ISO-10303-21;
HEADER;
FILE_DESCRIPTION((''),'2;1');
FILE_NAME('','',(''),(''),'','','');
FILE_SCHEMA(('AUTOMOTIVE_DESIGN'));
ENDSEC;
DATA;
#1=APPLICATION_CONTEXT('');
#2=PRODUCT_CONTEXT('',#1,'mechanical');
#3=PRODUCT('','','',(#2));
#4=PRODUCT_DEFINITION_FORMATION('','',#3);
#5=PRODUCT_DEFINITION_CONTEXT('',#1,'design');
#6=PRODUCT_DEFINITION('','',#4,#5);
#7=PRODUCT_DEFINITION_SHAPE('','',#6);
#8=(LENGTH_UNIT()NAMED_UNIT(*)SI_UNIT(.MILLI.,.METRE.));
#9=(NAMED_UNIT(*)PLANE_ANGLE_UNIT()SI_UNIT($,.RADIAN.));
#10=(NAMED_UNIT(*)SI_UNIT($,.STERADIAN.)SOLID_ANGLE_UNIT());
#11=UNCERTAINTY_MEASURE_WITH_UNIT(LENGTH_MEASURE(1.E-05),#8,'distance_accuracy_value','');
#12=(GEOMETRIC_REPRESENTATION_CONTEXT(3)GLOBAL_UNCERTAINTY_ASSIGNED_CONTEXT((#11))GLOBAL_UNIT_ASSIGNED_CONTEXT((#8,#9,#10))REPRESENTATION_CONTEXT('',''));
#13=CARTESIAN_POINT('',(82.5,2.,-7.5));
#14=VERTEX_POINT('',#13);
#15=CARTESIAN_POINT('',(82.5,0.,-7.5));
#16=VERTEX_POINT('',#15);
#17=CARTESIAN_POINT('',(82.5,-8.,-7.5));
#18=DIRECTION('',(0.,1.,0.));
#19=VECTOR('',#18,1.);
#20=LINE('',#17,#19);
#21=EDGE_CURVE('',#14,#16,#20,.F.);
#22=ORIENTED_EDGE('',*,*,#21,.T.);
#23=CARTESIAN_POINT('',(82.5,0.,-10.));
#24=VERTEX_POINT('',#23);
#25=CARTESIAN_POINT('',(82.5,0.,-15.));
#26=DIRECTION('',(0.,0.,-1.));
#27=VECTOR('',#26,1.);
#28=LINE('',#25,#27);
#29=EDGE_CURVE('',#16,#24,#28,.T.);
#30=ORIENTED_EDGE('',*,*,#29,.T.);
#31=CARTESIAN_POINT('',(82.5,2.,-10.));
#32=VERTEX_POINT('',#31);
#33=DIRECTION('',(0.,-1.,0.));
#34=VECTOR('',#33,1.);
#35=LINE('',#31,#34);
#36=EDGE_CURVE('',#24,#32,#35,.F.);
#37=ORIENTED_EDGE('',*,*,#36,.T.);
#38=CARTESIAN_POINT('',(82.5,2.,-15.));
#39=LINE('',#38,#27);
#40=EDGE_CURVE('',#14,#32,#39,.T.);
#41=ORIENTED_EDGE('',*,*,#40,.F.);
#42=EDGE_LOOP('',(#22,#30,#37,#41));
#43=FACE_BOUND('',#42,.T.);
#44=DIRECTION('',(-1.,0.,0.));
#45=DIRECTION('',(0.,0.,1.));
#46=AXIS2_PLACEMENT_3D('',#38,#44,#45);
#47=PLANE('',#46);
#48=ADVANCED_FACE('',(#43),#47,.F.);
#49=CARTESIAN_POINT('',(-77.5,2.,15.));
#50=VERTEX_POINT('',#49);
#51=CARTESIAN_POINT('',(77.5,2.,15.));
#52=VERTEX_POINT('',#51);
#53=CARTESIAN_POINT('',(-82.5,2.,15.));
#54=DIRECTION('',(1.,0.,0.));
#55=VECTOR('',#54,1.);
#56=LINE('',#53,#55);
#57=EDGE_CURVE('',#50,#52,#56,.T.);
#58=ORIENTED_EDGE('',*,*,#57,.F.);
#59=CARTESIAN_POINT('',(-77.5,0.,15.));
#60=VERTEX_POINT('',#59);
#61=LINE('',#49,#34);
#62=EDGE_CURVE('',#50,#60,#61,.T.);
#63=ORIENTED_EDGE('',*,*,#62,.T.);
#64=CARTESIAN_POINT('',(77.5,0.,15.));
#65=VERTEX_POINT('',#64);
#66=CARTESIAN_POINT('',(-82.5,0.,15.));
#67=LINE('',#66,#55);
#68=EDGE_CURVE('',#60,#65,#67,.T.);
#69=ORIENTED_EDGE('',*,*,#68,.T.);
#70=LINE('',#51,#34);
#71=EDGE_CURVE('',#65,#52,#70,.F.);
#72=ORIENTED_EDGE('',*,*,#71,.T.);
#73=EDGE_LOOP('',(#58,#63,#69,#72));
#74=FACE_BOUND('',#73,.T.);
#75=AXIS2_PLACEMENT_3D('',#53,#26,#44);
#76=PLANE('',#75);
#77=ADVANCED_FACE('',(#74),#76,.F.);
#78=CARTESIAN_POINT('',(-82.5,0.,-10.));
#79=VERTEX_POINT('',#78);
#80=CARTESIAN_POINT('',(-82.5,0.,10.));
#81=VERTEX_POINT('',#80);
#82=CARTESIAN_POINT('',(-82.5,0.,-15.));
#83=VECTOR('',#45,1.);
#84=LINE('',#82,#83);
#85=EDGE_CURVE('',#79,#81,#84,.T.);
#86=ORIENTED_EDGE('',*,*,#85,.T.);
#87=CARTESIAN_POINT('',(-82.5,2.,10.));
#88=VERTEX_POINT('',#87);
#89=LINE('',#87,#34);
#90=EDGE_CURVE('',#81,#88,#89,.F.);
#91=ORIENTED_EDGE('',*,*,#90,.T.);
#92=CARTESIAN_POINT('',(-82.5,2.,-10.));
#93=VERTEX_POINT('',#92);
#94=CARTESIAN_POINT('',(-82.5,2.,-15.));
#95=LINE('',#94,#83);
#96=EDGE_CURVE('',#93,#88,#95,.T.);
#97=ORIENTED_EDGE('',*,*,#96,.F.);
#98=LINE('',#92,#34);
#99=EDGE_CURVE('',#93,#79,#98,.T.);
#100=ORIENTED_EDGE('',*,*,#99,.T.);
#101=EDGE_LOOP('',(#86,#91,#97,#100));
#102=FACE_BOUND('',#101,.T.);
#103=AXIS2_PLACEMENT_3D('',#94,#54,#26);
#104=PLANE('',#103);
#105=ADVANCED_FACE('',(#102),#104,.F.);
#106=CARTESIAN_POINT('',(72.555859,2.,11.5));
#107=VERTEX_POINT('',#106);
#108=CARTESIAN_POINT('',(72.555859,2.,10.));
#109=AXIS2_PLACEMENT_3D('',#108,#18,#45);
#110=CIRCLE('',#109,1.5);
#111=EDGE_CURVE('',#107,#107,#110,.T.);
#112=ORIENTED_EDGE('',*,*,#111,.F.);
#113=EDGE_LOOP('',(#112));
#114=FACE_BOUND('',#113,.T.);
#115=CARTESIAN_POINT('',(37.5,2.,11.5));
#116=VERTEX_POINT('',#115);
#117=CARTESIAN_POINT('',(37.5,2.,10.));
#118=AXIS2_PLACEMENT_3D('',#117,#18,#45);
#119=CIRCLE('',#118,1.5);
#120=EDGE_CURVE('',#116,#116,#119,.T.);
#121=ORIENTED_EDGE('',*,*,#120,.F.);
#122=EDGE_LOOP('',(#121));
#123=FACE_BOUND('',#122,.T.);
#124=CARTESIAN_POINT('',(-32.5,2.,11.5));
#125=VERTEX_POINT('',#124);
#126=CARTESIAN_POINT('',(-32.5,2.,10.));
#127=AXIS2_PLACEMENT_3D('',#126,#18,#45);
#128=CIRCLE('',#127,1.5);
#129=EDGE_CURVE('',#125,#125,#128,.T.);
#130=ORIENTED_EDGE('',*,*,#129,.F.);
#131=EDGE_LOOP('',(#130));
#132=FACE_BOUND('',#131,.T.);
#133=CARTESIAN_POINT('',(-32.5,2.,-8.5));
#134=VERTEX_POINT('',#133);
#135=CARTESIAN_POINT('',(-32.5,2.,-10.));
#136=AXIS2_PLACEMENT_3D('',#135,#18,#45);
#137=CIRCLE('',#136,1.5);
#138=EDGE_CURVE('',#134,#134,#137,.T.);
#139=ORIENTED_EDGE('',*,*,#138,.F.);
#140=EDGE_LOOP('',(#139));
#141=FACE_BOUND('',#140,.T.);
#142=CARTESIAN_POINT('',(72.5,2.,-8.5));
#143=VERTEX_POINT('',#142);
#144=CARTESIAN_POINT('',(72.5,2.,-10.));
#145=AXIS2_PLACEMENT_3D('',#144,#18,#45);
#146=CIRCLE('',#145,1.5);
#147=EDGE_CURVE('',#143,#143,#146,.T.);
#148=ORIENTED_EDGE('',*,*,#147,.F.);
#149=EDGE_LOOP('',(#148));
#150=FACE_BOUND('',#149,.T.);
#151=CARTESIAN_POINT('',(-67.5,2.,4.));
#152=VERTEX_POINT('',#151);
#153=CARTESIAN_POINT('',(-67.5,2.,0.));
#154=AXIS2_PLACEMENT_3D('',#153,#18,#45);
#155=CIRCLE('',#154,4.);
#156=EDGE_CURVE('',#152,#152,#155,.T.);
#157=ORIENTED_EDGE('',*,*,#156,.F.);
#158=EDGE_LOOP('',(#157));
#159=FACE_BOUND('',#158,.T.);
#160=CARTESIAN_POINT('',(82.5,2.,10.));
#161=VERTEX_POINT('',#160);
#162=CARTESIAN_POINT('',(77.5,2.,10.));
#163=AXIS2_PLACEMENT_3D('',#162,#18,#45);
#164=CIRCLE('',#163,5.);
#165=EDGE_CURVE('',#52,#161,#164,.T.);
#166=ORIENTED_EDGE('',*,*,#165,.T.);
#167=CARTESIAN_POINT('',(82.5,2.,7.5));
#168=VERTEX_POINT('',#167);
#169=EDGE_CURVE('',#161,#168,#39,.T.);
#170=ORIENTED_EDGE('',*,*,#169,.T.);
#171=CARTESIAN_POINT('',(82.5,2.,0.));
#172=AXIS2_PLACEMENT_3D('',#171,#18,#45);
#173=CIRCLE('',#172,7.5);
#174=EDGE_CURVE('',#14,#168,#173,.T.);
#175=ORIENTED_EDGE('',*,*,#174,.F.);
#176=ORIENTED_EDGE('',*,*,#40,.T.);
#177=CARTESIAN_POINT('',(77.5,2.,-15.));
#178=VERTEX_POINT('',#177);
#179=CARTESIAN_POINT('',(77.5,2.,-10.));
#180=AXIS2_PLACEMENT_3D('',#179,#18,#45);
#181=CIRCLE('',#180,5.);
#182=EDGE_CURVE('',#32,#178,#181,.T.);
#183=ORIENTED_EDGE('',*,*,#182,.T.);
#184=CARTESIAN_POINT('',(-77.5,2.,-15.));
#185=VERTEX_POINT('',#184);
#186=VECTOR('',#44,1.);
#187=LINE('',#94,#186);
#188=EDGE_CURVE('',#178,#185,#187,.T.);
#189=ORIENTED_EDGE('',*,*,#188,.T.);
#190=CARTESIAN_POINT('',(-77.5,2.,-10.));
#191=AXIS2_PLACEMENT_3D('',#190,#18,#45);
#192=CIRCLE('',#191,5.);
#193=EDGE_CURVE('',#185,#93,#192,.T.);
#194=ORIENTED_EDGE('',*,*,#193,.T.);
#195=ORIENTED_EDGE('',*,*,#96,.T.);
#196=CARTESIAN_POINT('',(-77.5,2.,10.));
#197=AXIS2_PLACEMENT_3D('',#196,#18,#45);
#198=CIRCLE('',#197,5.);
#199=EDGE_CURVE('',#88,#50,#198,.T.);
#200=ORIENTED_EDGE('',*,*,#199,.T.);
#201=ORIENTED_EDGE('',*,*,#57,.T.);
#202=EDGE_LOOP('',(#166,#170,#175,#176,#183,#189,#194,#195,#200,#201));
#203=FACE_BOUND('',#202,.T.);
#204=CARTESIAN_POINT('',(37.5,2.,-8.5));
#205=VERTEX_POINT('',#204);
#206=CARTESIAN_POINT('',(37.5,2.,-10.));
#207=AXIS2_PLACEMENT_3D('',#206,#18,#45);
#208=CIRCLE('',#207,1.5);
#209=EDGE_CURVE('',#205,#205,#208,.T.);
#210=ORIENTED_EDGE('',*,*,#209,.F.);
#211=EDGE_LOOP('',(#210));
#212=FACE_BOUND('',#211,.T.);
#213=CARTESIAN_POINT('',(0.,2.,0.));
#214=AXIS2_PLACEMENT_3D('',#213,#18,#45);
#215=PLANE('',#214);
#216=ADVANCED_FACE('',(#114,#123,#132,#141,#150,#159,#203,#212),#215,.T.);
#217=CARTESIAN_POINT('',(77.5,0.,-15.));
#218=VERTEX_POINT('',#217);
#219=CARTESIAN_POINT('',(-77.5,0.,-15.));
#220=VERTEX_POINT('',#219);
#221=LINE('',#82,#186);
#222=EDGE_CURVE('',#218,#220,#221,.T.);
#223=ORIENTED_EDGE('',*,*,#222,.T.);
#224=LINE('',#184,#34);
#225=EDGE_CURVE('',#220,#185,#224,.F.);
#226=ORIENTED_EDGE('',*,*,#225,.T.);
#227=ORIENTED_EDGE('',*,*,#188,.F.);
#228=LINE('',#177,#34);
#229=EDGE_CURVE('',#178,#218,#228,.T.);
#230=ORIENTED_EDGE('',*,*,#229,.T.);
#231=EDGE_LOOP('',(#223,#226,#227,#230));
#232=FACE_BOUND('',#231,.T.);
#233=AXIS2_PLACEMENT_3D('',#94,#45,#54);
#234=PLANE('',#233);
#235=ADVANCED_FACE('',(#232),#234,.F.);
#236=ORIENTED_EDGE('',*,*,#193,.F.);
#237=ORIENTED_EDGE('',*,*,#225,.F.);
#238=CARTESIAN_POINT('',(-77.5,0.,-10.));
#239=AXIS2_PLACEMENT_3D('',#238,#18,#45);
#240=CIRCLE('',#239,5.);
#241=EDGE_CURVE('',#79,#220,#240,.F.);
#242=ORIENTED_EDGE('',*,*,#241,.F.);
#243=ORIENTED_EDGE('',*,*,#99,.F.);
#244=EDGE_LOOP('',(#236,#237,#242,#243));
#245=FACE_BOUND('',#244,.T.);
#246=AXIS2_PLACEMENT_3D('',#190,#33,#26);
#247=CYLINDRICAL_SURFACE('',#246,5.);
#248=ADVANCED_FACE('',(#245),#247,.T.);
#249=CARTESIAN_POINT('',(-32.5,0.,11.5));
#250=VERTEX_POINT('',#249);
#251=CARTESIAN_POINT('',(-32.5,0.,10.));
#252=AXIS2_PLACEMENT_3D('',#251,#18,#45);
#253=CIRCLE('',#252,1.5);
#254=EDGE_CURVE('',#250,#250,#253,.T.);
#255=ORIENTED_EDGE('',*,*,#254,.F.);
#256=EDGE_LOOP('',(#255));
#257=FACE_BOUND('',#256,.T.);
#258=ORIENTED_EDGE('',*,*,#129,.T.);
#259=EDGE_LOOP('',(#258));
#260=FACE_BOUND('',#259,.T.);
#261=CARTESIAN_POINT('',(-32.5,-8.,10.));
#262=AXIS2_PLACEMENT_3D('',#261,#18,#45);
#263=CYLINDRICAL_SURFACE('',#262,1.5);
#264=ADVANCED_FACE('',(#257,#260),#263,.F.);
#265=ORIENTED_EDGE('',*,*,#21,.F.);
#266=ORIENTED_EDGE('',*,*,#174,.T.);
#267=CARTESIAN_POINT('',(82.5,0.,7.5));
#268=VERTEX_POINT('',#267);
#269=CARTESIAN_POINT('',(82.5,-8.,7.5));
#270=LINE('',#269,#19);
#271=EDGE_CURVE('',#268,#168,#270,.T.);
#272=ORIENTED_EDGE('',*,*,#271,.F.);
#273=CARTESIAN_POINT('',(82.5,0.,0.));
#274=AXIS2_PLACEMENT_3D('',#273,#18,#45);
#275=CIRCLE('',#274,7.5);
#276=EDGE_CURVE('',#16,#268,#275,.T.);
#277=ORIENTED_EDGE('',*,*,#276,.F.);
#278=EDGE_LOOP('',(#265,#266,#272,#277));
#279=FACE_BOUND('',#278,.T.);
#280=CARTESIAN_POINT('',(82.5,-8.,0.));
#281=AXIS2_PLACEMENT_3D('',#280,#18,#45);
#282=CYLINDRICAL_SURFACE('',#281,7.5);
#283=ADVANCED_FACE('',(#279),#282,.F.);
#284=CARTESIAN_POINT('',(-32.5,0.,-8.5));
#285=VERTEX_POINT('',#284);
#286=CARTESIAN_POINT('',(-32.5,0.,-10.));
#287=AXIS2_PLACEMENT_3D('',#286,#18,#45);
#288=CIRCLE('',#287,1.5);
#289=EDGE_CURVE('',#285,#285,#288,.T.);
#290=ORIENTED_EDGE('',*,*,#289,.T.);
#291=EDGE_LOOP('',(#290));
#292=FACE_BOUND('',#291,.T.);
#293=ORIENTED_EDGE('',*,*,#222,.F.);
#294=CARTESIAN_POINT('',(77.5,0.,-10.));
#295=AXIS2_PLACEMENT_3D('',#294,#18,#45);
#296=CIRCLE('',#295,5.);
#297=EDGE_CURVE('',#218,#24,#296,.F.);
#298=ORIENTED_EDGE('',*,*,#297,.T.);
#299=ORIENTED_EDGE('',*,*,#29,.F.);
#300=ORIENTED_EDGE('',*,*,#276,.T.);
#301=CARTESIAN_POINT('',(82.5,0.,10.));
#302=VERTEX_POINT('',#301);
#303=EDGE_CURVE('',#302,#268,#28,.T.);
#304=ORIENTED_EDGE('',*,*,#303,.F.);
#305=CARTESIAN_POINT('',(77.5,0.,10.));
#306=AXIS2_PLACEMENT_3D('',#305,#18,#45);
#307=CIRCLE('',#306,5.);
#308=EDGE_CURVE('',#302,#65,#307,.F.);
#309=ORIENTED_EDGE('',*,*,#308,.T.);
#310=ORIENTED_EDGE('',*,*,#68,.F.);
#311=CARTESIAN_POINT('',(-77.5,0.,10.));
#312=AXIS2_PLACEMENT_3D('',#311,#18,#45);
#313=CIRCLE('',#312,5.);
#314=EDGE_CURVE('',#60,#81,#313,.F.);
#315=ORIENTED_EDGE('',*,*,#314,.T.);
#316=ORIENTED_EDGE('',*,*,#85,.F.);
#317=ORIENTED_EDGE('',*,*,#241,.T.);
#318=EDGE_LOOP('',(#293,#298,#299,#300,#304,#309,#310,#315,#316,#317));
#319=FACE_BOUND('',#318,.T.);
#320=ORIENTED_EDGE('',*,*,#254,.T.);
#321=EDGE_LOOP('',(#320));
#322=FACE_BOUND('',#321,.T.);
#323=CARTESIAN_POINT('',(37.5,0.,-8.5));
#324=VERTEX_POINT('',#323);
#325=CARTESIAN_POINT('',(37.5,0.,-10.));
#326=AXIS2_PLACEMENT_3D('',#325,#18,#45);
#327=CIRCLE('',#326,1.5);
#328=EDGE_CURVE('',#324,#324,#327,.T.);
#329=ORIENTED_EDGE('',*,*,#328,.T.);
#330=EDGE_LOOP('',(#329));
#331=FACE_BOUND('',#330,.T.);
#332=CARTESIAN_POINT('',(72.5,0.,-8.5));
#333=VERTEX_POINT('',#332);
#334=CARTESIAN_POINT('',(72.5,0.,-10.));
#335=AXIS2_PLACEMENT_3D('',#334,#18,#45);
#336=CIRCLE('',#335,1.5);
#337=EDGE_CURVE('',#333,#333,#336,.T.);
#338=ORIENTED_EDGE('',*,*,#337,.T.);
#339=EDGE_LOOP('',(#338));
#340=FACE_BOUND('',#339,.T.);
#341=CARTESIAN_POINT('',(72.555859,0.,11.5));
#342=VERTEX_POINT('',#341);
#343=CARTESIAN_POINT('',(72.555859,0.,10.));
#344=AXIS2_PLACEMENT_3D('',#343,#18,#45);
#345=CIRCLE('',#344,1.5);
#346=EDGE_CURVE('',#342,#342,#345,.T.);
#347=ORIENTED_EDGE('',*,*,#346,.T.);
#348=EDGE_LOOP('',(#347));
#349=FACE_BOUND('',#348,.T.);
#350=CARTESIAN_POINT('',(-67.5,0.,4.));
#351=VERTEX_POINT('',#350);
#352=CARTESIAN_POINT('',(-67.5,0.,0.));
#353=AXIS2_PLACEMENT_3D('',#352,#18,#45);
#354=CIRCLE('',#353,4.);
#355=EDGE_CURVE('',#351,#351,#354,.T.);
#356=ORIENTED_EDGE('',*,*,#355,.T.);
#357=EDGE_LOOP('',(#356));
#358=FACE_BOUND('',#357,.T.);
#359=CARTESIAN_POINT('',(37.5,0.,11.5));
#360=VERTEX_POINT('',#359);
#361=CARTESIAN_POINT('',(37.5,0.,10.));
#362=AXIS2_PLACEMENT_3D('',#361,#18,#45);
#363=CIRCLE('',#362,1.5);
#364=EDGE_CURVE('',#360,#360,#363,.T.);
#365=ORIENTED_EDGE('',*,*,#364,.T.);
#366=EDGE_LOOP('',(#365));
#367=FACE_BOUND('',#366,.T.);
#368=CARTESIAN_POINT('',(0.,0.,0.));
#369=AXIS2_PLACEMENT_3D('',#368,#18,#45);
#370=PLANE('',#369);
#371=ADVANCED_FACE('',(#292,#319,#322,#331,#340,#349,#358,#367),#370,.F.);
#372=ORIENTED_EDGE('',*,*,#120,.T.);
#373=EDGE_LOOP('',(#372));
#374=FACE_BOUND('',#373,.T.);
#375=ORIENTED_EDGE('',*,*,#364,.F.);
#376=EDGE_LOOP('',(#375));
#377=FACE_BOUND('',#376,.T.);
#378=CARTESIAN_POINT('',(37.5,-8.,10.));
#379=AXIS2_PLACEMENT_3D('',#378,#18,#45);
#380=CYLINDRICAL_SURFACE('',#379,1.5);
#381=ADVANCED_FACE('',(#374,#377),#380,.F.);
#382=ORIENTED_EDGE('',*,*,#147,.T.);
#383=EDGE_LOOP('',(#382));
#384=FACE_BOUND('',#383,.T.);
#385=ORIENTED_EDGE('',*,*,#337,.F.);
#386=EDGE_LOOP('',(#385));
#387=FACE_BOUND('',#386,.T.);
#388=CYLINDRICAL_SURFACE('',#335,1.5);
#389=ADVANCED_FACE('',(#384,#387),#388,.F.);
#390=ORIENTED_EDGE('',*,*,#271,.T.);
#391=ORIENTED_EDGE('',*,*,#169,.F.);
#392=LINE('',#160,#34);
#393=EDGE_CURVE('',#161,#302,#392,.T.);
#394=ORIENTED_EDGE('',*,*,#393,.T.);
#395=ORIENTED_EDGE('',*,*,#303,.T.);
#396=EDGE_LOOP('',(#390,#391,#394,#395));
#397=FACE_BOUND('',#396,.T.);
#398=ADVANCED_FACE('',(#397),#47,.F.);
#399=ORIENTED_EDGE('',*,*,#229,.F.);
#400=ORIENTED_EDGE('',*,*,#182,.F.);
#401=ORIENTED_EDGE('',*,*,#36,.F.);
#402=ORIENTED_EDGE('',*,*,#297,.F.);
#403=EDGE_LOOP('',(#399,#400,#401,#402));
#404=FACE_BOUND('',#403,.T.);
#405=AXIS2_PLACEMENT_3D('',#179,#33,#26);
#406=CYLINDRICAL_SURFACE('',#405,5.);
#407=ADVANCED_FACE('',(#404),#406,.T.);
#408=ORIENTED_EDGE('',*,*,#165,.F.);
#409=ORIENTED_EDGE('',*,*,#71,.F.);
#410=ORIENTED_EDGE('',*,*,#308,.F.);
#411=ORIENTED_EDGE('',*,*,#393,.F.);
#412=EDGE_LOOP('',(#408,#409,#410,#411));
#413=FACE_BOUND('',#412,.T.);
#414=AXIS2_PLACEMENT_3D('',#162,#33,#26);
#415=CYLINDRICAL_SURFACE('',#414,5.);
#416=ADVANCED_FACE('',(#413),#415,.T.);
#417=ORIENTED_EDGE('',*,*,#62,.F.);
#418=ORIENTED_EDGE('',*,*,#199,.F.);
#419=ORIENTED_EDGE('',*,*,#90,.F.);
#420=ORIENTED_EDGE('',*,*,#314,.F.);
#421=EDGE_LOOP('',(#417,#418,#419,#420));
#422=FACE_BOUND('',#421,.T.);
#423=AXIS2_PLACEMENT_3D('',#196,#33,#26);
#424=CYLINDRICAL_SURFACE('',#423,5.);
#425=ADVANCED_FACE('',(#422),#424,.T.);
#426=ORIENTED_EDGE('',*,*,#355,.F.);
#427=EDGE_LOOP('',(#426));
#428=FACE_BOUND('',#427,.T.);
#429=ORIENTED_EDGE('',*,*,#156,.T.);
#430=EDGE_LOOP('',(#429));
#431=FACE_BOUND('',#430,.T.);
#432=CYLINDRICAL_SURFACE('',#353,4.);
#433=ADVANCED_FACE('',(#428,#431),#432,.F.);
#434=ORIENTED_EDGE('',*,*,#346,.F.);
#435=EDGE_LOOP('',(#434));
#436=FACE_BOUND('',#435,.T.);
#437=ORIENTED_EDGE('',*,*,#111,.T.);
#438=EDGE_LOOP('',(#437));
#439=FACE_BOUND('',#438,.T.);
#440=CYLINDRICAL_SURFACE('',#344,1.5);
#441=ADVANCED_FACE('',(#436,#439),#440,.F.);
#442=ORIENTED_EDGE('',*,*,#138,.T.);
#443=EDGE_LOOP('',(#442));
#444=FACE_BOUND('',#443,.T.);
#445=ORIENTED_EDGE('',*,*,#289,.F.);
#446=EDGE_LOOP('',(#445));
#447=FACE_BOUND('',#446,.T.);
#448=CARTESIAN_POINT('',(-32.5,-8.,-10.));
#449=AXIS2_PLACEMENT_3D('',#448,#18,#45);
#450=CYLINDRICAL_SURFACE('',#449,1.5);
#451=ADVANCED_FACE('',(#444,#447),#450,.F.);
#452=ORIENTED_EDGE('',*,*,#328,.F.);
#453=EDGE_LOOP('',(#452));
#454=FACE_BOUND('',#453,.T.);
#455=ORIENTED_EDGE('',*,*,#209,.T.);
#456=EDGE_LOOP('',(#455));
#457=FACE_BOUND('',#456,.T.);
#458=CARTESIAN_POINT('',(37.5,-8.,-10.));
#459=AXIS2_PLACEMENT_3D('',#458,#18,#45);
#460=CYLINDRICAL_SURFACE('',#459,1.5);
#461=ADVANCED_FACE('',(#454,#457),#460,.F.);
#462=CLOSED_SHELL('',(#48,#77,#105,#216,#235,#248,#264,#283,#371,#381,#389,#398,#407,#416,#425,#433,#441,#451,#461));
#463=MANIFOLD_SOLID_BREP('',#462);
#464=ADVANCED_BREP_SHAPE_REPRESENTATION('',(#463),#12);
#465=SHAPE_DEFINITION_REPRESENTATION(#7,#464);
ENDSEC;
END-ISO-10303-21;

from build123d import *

# Parameters (mm, degrees)
SKETCH1_W           = 165
SKETCH1_H           = 30
BOSS_EXTRUDE1_DEPTH = 2
FILLET1_R           = 5
SKETCH3_R           = 4
CUT_EXTRUDE1_DEPTH  = 2
SKETCH4_R           = 7.5
CUT_EXTRUDE2_DEPTH  = 10
SKETCH5_R           = 1.5
CUT_EXTRUDE3_DEPTH  = 10
SKETCH6_R           = 1.5
CUT_EXTRUDE4_DEPTH  = 84.876397157


with BuildPart() as part:
    # Sketch1 → Boss-Extrude1 (new body)
    with BuildSketch(Plane(origin=(0, 0, 0), x_dir=(1, 0, 0), z_dir=(0, 1, 0))):
        Rectangle(SKETCH1_W, SKETCH1_H)
    extrude(amount=BOSS_EXTRUDE1_DEPTH)

    # Fillet1
    fillet1_edges = [part.edges().sort_by_distance(p)[0] for p in [
        (82.5, 1, 15),
        (-82.5, 1, 15),
        (-82.5, 1, -15),
        (82.5, 1, -15),
    ]]
    fillet(fillet1_edges, radius=FILLET1_R)

    # Sketch3 → Cut-Extrude1 (cut)
    with BuildSketch(Plane(origin=(0, 2, 0), x_dir=(1, 0, 0), z_dir=(0, 1, 0))):
        with Locations(Location((-67.5, 0, 0), (0, 0, 270))):
            Circle(SKETCH3_R)
    extrude(amount=-CUT_EXTRUDE1_DEPTH, mode=Mode.SUBTRACT)

    # Sketch4 → Cut-Extrude2 (cut)
    with BuildSketch(Plane(origin=(0, 2, 0), x_dir=(1, 0, 0), z_dir=(0, 1, 0))):
        with Locations((82.5, 0)):
            Circle(SKETCH4_R)
    extrude(amount=-CUT_EXTRUDE2_DEPTH, mode=Mode.SUBTRACT)

    # Sketch5 → Cut-Extrude3 (cut)
    with BuildSketch(Plane(origin=(0, 2, 0), x_dir=(1, 0, 0), z_dir=(0, 1, 0))):
        with Locations(Location((-32.5, 10, 0), (0, 0, 270))):
            Circle(SKETCH5_R)
        with Locations(Location((37.5, 10, 0), (0, 0, 270))):
            Circle(SKETCH5_R)
        with Locations(Location((-32.5, -10, 0), (0, 0, 270))):
            Circle(SKETCH5_R)
        with Locations(Location((37.5, -10, 0), (0, 0, 270))):
            Circle(SKETCH5_R)
    extrude(amount=-CUT_EXTRUDE3_DEPTH, mode=Mode.SUBTRACT)

    # Sketch6 → Cut-Extrude4 (cut, through all)
    with BuildSketch(Plane(origin=(0, 2, 0), x_dir=(1, 0, 0), z_dir=(0, 1, 0))):
        with Locations(Location((72.5, 10, 0), (0, 0, 270))):
            Circle(SKETCH6_R)
        with Locations(Location((72.555859106, -10, 0), (0, 0, 270))):
            Circle(SKETCH6_R)
    extrude(amount=-CUT_EXTRUDE4_DEPTH, mode=Mode.SUBTRACT)


solid = part.part
